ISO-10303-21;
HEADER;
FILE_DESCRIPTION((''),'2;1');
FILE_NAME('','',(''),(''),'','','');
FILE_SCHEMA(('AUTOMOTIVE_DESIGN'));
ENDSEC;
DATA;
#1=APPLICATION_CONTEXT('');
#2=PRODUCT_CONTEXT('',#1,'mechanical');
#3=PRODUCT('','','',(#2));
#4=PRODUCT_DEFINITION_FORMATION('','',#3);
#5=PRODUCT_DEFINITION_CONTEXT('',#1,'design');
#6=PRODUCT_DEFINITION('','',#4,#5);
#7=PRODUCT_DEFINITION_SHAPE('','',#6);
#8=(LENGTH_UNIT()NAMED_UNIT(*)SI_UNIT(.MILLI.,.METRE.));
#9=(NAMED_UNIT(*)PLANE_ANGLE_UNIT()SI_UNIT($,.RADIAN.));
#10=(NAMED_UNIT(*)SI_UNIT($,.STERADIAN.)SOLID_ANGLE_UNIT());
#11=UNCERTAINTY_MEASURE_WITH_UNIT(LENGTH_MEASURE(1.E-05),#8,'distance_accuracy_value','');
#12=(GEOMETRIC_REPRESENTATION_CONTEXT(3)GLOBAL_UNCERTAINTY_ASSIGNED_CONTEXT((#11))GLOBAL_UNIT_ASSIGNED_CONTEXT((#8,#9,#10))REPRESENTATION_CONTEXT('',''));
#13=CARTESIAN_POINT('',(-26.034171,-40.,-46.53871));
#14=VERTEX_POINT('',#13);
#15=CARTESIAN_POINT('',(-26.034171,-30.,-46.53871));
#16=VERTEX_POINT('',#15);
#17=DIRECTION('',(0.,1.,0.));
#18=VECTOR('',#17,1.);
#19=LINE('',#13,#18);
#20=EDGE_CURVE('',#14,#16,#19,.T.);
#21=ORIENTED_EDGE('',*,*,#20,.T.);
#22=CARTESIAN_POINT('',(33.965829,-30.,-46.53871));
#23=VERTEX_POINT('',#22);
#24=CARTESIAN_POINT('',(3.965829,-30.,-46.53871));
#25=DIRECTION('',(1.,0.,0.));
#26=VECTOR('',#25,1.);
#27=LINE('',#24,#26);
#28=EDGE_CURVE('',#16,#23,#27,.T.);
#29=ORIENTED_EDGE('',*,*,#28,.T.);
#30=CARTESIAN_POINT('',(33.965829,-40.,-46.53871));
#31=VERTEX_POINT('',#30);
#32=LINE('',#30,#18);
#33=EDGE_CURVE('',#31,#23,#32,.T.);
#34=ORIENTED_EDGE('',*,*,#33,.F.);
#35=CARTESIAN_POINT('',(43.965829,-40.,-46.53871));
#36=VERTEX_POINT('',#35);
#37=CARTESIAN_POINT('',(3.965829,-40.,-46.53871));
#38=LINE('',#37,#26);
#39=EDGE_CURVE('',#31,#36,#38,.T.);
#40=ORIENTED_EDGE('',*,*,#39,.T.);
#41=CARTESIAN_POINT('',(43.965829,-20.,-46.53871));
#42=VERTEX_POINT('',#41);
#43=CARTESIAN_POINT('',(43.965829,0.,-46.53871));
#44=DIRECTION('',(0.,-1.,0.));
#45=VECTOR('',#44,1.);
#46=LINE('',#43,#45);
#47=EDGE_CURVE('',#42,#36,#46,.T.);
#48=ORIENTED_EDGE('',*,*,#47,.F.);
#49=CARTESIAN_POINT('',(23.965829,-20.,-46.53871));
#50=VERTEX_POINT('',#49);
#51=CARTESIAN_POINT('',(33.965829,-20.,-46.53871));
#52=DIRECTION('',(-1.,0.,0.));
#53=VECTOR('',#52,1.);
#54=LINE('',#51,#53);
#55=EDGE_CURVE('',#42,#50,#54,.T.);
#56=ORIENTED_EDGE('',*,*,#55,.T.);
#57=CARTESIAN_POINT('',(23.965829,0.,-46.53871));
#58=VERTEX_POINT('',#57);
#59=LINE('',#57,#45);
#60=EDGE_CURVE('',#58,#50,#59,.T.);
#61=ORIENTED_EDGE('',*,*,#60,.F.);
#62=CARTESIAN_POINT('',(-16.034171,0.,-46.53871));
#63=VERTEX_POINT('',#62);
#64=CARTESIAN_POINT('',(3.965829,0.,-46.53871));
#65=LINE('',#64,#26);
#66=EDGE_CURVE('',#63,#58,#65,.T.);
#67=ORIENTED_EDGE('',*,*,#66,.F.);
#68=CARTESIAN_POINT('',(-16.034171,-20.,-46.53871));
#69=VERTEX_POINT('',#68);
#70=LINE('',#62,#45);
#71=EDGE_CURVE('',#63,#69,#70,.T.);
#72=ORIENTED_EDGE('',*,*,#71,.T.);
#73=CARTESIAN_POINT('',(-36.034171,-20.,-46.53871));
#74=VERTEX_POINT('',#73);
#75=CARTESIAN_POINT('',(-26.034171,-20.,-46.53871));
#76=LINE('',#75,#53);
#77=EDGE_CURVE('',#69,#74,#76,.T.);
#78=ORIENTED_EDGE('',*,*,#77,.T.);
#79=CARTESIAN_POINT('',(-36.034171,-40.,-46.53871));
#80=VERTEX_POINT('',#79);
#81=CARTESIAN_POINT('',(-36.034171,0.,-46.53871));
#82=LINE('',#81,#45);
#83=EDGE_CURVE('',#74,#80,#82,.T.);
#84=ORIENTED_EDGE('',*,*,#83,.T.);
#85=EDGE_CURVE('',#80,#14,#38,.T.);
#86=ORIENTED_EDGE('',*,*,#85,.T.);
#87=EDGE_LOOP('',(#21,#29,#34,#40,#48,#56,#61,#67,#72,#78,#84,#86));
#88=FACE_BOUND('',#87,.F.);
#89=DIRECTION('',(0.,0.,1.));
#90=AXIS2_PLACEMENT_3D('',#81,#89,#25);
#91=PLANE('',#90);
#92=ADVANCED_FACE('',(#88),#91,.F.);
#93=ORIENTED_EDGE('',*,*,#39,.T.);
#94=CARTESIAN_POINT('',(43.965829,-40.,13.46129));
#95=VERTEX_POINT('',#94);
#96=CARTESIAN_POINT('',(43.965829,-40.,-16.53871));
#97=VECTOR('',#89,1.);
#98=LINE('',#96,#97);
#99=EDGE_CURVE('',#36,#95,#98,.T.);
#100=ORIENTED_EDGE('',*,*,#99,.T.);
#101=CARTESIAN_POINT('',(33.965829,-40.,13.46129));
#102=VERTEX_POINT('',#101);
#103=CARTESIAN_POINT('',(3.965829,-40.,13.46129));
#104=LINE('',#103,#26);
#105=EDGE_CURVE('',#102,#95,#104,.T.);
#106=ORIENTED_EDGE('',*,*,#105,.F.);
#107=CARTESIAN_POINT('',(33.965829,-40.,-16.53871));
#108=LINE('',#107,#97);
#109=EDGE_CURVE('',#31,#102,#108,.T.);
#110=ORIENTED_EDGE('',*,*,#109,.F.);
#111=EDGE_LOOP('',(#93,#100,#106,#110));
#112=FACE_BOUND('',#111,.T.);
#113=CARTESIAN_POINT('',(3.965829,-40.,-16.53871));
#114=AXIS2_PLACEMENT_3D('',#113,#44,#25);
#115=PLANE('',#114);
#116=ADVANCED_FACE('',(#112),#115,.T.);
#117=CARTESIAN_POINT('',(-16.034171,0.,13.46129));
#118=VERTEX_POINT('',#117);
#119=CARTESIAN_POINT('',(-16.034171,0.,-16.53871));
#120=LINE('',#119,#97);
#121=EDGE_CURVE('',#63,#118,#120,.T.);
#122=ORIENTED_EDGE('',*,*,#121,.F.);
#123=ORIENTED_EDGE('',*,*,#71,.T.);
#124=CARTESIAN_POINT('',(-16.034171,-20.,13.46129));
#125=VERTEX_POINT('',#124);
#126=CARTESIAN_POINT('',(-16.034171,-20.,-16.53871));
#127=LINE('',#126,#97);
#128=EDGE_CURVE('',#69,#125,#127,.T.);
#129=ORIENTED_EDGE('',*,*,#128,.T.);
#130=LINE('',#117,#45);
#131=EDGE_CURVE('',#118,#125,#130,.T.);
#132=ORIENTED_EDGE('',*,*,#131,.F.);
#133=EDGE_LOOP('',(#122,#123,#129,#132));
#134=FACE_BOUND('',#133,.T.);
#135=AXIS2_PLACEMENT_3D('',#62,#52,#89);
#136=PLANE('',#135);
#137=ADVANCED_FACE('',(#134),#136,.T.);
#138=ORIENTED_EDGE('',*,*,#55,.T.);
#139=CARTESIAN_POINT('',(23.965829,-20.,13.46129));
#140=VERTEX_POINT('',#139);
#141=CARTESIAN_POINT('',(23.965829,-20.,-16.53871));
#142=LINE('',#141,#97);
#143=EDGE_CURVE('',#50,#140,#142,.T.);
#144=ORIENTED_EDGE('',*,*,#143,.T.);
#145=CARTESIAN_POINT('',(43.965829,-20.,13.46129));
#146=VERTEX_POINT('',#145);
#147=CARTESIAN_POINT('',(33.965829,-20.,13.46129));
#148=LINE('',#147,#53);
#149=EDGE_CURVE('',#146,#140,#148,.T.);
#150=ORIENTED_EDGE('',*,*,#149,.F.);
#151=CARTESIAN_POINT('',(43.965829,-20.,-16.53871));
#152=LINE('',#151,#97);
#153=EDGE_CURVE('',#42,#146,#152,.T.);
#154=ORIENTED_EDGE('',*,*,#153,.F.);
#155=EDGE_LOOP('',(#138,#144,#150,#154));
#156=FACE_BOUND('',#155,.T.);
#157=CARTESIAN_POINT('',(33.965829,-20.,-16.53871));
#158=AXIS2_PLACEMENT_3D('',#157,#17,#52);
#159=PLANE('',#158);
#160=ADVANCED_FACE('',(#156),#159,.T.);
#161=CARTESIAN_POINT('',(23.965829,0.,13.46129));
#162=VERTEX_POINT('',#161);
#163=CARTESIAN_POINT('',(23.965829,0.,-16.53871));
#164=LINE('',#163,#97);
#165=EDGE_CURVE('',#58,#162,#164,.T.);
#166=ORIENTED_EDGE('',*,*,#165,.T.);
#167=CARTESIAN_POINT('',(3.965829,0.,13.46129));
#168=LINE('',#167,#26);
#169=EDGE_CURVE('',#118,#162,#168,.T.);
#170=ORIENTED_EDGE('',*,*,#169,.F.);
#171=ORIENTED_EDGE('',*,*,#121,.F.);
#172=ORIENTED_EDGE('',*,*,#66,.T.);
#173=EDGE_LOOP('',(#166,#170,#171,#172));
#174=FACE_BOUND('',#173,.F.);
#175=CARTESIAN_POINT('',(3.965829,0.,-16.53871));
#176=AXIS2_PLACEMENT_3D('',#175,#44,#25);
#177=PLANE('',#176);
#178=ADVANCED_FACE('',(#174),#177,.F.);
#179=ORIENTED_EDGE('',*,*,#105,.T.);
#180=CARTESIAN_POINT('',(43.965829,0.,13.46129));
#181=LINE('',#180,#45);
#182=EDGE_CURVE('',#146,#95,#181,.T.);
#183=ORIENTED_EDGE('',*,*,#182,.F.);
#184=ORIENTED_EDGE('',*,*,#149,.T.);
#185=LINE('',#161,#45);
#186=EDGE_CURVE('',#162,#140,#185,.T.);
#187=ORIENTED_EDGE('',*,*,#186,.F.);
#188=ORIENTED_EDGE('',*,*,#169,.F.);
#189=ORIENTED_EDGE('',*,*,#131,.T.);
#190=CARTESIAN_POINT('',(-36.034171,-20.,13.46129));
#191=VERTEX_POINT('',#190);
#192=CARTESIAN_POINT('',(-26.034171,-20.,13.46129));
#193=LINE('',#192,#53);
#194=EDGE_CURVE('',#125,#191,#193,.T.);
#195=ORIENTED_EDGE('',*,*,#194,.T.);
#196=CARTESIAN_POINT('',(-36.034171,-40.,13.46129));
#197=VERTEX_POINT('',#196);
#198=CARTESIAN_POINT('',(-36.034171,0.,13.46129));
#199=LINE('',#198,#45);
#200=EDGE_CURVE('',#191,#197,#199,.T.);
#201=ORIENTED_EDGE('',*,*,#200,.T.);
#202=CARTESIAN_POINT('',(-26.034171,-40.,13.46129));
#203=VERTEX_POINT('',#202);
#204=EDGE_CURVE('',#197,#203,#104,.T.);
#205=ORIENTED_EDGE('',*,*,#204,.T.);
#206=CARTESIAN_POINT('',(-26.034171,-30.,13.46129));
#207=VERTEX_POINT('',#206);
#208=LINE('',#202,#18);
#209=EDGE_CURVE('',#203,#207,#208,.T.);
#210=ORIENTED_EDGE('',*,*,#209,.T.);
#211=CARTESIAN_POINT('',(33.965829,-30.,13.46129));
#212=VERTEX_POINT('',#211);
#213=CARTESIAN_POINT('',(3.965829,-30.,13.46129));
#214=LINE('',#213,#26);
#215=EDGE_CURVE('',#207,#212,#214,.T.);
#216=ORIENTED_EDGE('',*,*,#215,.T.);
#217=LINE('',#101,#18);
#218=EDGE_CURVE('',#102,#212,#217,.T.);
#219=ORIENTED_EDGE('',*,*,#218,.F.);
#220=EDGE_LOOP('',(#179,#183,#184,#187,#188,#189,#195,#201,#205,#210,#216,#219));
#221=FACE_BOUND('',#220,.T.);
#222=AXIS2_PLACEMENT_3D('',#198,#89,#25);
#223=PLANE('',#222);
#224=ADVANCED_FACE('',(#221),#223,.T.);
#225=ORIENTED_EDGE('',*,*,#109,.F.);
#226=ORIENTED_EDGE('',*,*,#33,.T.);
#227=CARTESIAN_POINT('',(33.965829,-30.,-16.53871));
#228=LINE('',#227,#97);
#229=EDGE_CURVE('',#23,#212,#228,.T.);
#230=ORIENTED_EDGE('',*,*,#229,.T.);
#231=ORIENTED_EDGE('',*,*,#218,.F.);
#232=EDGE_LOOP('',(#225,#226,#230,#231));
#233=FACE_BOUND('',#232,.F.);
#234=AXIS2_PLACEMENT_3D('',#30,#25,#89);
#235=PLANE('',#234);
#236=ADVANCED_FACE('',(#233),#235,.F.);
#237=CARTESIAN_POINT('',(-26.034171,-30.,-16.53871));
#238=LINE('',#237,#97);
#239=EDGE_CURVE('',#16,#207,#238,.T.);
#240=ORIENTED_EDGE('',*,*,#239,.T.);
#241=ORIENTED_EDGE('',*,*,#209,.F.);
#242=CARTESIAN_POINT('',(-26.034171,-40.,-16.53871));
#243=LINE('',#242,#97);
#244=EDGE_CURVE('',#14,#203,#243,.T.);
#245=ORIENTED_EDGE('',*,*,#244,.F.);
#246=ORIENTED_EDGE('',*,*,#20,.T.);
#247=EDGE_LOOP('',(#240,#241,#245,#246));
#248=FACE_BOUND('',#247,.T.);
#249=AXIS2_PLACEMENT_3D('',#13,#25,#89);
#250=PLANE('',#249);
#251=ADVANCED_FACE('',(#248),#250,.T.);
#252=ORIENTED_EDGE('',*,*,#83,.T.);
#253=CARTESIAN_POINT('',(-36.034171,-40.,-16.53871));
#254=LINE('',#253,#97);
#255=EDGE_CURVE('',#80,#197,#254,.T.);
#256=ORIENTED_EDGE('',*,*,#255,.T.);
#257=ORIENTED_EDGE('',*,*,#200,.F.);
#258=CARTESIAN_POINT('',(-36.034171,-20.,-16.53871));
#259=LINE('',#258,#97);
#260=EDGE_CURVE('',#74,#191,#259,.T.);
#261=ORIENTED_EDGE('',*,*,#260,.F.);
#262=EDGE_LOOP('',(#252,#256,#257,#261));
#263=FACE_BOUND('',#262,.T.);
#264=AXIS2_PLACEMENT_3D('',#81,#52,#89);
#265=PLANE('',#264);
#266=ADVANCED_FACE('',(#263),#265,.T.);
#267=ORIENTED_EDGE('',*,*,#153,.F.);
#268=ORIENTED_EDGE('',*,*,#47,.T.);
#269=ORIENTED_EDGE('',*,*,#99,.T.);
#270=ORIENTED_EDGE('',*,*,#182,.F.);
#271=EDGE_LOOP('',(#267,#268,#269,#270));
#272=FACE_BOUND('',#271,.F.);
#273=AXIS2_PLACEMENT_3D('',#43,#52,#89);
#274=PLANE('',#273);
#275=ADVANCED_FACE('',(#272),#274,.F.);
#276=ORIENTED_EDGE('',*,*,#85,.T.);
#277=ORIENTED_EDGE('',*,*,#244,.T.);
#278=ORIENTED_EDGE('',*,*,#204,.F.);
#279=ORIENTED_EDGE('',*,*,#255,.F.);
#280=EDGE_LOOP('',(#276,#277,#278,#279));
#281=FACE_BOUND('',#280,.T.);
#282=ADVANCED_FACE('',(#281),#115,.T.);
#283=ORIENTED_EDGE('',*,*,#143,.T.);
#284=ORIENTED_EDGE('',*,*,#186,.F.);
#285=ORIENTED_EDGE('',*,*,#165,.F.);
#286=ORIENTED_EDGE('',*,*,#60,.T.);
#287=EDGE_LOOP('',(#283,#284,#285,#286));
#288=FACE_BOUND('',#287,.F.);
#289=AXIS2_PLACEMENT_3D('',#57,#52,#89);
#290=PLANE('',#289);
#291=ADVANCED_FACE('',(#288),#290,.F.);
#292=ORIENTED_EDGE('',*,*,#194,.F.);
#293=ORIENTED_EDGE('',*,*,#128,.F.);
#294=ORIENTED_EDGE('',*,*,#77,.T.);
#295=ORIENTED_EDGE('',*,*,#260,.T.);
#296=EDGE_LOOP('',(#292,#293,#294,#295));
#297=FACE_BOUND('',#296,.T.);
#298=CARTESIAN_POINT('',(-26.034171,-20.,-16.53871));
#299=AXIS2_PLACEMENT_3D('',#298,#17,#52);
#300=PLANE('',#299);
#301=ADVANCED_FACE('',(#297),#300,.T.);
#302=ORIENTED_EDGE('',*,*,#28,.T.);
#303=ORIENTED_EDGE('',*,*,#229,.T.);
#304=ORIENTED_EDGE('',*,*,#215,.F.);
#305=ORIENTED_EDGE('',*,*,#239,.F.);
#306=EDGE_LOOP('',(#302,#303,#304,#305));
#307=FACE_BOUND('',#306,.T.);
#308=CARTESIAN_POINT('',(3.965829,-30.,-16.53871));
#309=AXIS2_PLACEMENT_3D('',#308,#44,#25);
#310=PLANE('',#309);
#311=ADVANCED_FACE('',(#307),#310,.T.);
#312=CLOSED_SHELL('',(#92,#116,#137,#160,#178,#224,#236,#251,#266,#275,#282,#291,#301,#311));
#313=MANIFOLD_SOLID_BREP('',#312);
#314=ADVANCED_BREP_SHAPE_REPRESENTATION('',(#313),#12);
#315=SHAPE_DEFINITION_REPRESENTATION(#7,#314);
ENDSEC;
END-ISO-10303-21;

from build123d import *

# Parameters (mm, degrees)
F0_W     = 80
F0_H     = 60
F1_DEPTH = 40
F2_W     = 60
F2_H     = 60
F3_DEPTH = 10
F4_W     = 20
F4_H     = 60
F5_DEPTH = 20


with BuildPart() as f1:
    # F0 (on Front) → F1 (new body)
    with BuildSketch(Plane.XZ):
        with Locations((3.965829, -16.53871)):
            Rectangle(F0_W, F0_H)
    extrude(amount=F1_DEPTH)

    # F2 (on face) → F3 (cut)
    with BuildSketch(Plane.XZ.offset(40)):
        with Locations((3.965829, -16.53871)):
            Rectangle(F2_W, F2_H)
    extrude(amount=-F3_DEPTH, mode=Mode.SUBTRACT)

    # F4 (on face) → F5 (cut)
    with BuildSketch(Plane(origin=(0, 0, 0), x_dir=(-1, 0, 0), z_dir=(0, 1, 0))):
        with Locations((26.034171, -16.53871)):
            Rectangle(F4_W, F4_H)
        with Locations((-33.965829, -16.53871)):
            Rectangle(F4_W, F4_H)
    extrude(amount=-F5_DEPTH, mode=Mode.SUBTRACT)


solid = f1.part
